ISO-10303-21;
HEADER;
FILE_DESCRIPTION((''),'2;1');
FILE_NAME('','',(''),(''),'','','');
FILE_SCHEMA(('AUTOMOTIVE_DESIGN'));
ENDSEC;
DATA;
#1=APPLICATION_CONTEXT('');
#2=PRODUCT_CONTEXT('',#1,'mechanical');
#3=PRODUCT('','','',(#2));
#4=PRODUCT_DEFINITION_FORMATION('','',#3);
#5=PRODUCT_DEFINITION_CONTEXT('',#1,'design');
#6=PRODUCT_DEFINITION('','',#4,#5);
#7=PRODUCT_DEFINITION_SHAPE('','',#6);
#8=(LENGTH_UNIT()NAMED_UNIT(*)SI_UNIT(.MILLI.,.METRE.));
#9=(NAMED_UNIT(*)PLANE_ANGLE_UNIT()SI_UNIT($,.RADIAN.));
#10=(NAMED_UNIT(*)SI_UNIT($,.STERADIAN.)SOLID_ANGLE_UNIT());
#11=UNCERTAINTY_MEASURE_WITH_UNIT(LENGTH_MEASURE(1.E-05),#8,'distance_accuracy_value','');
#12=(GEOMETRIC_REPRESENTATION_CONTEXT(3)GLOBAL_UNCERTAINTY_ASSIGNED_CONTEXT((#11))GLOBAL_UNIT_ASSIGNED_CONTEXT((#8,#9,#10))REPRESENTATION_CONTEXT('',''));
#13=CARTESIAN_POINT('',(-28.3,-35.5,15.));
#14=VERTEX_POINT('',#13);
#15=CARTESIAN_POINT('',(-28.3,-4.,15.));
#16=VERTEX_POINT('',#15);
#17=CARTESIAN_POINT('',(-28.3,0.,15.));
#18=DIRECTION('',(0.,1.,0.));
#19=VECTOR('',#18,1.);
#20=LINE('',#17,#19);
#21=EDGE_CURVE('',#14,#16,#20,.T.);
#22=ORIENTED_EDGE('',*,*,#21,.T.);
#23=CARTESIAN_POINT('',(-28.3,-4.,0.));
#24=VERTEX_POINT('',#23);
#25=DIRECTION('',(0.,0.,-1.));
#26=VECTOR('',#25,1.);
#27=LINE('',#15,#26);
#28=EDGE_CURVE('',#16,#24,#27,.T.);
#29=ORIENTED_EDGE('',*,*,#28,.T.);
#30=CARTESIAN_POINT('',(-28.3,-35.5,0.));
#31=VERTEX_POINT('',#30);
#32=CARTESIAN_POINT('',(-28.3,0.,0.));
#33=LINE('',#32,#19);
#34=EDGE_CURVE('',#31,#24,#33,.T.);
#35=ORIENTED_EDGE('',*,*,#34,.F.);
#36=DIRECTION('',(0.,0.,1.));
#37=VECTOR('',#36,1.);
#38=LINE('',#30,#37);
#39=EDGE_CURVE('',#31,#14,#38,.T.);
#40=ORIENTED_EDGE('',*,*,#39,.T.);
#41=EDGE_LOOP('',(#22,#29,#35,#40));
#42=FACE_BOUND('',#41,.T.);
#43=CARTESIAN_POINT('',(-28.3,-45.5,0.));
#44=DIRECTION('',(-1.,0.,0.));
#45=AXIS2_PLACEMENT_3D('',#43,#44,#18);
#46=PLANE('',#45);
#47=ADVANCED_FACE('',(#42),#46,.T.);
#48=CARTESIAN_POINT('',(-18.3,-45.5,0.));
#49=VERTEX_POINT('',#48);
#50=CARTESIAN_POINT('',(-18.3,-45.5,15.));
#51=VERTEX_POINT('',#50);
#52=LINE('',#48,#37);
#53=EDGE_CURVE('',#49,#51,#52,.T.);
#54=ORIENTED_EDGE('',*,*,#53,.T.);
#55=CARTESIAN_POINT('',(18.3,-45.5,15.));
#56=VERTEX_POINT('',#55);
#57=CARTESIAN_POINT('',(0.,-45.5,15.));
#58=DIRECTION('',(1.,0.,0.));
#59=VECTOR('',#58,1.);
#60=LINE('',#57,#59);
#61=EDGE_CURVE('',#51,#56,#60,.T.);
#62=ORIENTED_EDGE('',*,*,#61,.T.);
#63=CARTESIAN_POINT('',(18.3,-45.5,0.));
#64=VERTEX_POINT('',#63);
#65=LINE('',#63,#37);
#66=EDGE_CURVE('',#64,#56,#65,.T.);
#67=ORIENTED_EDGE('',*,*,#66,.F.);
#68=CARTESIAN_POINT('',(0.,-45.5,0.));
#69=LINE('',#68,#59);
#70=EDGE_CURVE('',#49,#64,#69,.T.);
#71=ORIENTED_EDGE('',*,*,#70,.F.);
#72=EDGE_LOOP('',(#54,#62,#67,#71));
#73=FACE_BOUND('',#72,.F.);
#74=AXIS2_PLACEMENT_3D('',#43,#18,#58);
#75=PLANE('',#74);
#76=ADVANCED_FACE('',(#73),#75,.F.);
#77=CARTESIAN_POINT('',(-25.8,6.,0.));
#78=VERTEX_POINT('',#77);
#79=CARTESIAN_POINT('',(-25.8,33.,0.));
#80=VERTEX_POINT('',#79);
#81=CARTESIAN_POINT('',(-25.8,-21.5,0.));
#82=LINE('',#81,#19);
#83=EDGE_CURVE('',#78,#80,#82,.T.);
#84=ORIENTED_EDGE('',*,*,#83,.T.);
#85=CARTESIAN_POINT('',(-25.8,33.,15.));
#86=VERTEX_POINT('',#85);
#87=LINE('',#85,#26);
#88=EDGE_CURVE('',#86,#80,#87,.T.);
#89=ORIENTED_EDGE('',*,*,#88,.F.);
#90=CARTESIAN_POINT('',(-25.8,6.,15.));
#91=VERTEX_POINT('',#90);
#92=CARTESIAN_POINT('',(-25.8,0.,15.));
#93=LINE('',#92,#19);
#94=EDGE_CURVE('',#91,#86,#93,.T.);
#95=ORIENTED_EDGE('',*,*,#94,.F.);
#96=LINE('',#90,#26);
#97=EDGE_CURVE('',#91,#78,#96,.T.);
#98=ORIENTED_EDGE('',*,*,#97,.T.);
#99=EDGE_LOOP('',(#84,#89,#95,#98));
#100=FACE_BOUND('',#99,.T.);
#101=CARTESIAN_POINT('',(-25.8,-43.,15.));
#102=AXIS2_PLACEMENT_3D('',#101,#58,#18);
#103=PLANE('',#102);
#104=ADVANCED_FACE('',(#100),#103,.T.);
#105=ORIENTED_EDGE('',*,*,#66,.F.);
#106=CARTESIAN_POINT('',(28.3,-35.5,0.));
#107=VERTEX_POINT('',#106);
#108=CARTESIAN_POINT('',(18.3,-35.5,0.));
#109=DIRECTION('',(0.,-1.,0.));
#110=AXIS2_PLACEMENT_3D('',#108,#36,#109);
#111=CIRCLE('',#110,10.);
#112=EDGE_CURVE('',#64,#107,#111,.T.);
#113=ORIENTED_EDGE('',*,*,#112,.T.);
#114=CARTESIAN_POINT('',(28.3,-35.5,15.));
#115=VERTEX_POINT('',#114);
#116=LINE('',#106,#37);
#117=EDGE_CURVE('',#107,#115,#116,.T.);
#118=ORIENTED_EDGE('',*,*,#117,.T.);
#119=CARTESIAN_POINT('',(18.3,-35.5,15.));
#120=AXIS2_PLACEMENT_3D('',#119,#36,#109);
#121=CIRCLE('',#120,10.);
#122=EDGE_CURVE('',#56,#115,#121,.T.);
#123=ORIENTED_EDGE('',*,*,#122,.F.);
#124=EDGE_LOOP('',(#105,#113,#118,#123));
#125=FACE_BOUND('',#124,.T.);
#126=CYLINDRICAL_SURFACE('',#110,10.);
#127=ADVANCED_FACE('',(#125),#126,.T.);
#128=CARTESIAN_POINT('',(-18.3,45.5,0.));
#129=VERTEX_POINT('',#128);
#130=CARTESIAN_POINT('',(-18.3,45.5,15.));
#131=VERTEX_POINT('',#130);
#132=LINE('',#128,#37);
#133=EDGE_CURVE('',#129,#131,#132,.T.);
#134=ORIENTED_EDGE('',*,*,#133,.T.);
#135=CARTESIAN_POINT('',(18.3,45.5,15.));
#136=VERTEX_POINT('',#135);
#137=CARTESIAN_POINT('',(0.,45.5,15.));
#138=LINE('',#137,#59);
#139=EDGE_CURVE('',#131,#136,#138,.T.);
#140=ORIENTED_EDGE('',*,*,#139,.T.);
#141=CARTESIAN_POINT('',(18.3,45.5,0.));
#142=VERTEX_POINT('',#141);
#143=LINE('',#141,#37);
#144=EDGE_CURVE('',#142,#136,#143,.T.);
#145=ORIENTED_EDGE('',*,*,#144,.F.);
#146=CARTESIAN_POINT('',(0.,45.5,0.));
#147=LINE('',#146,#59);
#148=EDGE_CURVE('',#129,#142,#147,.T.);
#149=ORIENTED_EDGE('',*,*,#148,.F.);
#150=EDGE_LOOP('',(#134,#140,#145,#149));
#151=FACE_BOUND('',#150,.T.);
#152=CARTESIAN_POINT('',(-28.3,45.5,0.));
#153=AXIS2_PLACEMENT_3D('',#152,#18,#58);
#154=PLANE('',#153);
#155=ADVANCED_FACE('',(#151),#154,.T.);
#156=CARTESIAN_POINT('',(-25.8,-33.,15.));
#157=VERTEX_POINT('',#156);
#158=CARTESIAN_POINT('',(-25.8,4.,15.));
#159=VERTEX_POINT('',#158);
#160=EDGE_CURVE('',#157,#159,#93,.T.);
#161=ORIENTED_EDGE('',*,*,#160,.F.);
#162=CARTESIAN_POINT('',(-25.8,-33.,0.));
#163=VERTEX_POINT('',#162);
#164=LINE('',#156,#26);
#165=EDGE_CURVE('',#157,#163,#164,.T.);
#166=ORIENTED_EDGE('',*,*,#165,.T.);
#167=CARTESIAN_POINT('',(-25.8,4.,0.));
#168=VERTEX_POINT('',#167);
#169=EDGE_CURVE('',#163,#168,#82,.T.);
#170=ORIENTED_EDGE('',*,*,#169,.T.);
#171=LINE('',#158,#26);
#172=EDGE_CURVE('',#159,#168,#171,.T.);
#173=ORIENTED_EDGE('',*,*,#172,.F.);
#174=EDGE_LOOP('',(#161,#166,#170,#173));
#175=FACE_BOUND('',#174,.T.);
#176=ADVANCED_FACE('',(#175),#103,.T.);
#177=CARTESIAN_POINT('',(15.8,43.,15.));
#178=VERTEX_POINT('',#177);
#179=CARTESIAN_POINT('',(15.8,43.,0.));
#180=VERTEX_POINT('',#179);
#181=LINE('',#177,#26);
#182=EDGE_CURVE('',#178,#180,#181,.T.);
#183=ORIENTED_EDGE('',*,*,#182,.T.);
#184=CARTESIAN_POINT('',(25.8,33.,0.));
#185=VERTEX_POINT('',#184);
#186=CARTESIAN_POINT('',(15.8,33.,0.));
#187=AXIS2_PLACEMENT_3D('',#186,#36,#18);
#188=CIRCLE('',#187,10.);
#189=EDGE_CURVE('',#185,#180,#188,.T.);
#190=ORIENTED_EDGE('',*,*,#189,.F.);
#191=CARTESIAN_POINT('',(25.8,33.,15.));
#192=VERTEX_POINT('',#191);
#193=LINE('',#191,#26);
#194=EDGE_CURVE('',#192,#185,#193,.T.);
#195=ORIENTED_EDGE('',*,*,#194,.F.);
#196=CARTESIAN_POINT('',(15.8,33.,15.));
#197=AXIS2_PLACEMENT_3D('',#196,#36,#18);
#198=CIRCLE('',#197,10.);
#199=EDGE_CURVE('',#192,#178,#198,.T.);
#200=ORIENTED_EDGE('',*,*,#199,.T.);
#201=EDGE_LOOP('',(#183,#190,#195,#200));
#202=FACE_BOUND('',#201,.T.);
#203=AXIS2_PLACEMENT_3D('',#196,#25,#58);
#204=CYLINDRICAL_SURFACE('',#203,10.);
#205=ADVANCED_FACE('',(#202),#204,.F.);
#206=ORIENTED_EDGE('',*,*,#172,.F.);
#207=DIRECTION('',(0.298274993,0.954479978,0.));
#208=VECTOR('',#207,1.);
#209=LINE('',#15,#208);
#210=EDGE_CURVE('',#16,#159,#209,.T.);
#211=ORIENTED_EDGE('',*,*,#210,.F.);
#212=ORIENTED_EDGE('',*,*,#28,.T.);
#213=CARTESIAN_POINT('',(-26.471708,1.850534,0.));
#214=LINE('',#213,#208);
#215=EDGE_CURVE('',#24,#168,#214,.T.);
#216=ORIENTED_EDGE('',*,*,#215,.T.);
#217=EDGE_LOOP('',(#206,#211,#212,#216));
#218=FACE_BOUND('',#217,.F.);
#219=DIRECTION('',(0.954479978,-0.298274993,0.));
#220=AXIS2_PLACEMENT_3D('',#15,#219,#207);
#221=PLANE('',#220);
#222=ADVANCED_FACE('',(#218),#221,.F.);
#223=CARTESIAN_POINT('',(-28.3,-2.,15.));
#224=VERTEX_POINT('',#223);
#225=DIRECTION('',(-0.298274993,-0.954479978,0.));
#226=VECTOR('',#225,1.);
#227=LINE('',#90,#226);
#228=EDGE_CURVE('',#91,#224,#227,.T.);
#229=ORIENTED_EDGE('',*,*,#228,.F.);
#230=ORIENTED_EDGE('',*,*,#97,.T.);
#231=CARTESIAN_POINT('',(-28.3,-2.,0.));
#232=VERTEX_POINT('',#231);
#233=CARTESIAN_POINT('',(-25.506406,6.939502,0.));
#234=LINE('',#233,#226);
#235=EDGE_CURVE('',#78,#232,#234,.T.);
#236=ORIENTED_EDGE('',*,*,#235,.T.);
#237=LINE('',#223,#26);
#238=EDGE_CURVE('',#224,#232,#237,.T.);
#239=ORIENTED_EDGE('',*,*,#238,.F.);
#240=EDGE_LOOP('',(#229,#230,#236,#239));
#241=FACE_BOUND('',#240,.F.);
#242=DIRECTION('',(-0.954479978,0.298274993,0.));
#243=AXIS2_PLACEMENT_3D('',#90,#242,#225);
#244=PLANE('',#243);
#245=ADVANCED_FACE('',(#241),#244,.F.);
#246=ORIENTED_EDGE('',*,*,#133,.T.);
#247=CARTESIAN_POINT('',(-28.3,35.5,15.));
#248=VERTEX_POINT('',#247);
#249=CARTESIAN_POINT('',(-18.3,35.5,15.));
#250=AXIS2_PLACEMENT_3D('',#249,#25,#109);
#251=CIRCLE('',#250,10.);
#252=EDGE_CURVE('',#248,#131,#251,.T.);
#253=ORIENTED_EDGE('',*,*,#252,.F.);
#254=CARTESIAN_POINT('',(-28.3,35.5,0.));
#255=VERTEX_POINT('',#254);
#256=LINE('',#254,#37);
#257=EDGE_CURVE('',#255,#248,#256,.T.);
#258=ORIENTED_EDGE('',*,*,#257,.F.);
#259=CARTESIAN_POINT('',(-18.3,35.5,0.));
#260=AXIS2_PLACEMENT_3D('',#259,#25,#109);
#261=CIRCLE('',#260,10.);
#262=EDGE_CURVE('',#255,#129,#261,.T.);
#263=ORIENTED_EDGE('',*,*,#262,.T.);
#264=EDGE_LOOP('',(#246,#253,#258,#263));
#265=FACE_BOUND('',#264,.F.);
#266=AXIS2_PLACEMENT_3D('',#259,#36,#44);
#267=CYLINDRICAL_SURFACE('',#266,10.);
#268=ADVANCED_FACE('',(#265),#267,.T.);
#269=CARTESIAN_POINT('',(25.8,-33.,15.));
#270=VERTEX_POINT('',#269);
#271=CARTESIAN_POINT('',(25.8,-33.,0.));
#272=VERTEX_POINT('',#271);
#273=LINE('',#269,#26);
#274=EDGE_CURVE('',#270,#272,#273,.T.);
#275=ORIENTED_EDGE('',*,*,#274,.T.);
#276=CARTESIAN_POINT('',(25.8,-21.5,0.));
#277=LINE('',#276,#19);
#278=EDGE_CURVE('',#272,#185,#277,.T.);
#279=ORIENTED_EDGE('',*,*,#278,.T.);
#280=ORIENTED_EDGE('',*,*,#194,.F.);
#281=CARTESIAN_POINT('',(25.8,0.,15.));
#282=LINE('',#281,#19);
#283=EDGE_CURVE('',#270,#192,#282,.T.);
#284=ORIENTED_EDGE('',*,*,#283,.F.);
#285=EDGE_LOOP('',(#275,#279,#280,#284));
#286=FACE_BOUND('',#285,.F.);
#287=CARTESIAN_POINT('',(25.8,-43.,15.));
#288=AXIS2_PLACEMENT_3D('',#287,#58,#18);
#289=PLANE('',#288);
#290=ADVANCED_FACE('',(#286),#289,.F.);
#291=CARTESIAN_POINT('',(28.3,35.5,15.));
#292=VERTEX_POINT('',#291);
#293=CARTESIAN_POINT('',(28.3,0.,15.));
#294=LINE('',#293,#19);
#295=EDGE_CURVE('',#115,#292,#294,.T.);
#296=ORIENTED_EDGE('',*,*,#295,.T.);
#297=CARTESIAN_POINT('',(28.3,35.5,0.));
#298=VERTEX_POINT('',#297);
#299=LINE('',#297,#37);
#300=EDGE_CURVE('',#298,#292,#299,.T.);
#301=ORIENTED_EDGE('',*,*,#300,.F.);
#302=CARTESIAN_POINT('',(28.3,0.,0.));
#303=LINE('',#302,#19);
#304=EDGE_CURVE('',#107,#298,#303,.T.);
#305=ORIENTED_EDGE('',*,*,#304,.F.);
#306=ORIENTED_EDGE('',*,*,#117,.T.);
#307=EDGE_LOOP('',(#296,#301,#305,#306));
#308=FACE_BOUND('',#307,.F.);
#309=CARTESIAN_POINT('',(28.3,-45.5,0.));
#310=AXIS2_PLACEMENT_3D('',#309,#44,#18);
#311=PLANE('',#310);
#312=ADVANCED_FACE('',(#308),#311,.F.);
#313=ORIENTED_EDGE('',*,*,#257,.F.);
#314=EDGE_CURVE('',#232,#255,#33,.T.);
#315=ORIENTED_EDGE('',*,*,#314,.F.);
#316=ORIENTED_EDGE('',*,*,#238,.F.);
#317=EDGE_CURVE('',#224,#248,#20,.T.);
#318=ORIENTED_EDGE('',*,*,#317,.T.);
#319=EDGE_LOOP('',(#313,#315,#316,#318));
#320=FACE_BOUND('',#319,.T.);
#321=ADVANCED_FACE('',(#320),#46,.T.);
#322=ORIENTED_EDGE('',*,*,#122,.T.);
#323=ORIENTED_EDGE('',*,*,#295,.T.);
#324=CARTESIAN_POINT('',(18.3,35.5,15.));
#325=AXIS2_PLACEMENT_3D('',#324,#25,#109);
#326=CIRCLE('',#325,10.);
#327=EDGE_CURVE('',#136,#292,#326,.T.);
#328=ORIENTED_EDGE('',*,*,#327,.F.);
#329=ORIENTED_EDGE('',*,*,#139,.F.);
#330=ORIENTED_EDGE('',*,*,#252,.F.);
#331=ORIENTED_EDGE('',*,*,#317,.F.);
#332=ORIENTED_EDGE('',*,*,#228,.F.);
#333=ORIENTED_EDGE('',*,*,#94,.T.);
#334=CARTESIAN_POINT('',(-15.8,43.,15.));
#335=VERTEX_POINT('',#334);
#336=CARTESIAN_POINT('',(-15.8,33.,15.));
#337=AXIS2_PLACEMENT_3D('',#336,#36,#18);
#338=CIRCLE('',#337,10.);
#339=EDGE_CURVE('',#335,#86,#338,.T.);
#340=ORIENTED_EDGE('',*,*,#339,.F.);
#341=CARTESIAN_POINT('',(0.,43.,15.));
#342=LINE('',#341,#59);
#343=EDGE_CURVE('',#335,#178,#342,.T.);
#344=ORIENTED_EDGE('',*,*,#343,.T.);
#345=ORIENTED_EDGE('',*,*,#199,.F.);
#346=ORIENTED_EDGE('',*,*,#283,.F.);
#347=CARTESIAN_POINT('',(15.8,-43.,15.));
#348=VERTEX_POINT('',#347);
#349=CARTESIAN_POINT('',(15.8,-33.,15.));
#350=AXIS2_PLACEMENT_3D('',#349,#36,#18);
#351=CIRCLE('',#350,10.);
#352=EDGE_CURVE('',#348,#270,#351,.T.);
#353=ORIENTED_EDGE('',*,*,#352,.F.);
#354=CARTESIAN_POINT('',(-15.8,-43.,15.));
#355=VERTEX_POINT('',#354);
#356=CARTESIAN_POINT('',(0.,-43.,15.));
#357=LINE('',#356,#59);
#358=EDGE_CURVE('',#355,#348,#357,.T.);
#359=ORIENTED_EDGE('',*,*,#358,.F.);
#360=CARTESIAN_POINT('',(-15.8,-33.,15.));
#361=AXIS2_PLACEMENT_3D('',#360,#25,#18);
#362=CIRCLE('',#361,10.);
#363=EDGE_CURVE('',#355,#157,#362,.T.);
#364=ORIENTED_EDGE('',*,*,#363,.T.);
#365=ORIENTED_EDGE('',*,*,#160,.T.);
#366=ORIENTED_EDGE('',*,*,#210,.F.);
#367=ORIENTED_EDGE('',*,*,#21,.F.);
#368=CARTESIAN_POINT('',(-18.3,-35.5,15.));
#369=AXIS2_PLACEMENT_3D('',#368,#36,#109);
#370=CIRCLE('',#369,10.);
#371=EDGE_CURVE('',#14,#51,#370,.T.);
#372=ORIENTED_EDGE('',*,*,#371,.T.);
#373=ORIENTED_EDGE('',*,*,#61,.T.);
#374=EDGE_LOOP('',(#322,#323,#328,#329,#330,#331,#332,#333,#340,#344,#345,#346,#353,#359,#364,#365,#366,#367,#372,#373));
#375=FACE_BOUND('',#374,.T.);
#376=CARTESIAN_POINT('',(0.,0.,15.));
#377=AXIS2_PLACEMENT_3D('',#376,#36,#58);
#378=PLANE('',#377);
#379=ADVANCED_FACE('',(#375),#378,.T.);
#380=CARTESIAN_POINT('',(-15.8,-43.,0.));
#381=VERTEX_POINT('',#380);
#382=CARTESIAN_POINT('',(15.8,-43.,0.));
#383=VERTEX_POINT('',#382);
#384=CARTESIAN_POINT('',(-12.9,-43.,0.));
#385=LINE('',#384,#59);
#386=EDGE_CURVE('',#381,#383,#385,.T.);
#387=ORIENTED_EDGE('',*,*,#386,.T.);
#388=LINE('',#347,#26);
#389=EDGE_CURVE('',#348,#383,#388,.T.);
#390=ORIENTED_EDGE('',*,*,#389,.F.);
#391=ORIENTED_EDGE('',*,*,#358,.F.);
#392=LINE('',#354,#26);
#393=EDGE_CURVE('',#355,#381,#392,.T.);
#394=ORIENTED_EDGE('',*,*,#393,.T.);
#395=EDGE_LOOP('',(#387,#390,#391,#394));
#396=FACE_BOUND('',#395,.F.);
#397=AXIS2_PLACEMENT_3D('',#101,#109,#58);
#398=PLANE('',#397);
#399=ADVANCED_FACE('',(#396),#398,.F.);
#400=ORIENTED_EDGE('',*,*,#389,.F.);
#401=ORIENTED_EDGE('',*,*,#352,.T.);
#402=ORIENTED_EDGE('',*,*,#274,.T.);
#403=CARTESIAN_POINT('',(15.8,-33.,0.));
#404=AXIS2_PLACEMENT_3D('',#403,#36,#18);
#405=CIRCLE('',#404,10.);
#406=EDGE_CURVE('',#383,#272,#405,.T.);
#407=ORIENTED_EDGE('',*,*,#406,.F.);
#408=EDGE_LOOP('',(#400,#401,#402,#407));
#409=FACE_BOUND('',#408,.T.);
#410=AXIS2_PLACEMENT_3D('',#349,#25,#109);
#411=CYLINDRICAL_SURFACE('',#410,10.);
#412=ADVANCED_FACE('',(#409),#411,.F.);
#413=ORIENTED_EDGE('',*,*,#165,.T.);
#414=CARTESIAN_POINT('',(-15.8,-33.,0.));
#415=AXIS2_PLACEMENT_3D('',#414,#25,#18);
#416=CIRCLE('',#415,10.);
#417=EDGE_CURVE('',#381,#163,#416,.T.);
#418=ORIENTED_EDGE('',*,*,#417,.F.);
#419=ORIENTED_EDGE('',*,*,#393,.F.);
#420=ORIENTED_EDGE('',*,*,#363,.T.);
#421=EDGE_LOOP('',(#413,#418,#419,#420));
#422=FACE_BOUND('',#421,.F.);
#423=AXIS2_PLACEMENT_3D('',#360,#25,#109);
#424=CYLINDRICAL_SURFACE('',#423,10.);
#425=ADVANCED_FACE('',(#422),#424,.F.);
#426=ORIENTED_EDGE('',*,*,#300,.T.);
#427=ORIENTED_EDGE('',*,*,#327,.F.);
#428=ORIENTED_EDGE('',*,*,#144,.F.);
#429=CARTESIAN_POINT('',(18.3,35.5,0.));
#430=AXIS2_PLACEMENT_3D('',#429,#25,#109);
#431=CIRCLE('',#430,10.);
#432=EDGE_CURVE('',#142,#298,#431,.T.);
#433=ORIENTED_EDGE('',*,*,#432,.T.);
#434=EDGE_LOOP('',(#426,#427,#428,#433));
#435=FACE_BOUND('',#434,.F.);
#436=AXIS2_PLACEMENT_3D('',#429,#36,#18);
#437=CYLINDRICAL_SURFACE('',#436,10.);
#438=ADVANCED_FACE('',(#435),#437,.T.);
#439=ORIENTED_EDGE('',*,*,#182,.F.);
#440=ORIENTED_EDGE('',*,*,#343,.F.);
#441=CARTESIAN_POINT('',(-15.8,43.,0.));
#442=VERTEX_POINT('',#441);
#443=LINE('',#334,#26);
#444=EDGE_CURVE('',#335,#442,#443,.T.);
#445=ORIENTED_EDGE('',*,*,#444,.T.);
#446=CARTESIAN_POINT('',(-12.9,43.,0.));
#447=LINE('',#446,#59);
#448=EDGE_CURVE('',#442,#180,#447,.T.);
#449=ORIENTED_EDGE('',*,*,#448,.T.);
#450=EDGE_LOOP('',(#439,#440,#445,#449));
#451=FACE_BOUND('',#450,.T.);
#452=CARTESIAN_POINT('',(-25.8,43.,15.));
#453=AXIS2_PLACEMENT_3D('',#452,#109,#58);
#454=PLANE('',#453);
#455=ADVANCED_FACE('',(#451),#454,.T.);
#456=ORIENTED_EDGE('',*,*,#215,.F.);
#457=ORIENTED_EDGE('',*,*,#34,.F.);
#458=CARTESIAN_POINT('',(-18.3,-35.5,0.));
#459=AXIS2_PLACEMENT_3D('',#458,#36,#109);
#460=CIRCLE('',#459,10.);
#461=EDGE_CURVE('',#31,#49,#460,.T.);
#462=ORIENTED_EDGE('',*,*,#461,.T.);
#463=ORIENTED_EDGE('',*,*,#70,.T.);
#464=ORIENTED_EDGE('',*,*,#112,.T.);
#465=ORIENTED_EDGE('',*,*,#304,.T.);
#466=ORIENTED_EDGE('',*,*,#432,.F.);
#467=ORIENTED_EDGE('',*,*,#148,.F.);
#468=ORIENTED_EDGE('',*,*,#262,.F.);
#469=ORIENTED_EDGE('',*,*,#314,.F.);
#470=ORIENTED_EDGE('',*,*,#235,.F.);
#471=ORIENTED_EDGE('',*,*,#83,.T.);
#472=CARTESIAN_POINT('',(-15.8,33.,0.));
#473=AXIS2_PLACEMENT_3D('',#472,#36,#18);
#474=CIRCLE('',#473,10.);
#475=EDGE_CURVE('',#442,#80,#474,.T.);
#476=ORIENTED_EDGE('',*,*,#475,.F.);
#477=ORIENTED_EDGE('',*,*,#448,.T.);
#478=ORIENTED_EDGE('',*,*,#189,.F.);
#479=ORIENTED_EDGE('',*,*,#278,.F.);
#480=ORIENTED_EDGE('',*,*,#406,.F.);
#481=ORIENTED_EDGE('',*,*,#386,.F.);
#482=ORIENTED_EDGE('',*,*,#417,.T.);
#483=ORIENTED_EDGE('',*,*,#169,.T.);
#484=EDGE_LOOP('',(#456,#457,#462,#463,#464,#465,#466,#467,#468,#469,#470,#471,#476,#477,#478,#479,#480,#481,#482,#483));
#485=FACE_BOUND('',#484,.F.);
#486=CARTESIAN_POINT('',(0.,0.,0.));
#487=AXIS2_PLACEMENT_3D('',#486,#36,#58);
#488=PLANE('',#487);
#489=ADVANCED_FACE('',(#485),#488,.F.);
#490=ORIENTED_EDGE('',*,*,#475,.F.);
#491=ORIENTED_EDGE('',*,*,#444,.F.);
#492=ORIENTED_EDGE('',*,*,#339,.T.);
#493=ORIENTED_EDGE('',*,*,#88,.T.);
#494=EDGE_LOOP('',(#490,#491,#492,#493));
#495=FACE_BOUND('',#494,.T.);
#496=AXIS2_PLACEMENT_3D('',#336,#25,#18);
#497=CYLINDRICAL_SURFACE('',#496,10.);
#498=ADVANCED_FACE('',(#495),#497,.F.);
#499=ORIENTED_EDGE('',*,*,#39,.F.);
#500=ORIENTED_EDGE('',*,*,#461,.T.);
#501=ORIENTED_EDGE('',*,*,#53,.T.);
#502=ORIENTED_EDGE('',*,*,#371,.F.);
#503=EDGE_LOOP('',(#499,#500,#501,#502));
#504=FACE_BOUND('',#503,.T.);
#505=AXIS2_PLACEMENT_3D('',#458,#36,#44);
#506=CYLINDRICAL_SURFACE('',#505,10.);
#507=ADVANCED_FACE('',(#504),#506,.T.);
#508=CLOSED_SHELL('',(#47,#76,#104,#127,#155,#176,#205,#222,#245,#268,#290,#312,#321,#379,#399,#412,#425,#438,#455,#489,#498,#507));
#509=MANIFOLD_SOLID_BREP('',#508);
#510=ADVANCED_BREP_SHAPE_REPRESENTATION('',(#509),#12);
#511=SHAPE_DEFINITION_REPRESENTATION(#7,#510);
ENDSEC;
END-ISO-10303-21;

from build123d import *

# Parameters (mm, degrees)
F0_W     = 56.6
F0_H     = 91
F1_DEPTH = 15
F2_W     = 51.6
F2_H     = 86
F3_DEPTH = 25
F4_R     = 10
F6_DEPTH = 25


with BuildPart() as f1:
    # F0 (on Top) → F1 (new body)
    with BuildSketch(Plane.XY):
        Rectangle(F0_W, F0_H)
    extrude(amount=F1_DEPTH)

    # F2 (on face) → F3 (cut)
    with BuildSketch(Plane.XY.offset(15)):
        Rectangle(F2_W, F2_H)
    extrude(amount=-F3_DEPTH, mode=Mode.SUBTRACT)

    # F4
    f4_edges = [f1.edges().sort_by_distance(p)[0] for p in [
        (28.3, -45.5, 7.5),
        (28.3, 45.5, 7.5),
        (-28.3, -45.5, 7.5),
        (-28.3, 45.5, 7.5),
        (25.8, 43, 7.5),
        (-25.8, 43, 7.5),
        (-25.8, -43, 7.5),
        (25.8, -43, 7.5),
    ]]
    fillet(f4_edges, radius=F4_R)

    # F5 (on face) → F6 (cut)
    with BuildSketch(Plane.XY.offset(15)):
        Polygon((-28.3, -2), (-28.3, -4), (-25.8, 4), (-25.8, 6), align=None)
    extrude(amount=-F6_DEPTH, mode=Mode.SUBTRACT)


solid = f1.part
